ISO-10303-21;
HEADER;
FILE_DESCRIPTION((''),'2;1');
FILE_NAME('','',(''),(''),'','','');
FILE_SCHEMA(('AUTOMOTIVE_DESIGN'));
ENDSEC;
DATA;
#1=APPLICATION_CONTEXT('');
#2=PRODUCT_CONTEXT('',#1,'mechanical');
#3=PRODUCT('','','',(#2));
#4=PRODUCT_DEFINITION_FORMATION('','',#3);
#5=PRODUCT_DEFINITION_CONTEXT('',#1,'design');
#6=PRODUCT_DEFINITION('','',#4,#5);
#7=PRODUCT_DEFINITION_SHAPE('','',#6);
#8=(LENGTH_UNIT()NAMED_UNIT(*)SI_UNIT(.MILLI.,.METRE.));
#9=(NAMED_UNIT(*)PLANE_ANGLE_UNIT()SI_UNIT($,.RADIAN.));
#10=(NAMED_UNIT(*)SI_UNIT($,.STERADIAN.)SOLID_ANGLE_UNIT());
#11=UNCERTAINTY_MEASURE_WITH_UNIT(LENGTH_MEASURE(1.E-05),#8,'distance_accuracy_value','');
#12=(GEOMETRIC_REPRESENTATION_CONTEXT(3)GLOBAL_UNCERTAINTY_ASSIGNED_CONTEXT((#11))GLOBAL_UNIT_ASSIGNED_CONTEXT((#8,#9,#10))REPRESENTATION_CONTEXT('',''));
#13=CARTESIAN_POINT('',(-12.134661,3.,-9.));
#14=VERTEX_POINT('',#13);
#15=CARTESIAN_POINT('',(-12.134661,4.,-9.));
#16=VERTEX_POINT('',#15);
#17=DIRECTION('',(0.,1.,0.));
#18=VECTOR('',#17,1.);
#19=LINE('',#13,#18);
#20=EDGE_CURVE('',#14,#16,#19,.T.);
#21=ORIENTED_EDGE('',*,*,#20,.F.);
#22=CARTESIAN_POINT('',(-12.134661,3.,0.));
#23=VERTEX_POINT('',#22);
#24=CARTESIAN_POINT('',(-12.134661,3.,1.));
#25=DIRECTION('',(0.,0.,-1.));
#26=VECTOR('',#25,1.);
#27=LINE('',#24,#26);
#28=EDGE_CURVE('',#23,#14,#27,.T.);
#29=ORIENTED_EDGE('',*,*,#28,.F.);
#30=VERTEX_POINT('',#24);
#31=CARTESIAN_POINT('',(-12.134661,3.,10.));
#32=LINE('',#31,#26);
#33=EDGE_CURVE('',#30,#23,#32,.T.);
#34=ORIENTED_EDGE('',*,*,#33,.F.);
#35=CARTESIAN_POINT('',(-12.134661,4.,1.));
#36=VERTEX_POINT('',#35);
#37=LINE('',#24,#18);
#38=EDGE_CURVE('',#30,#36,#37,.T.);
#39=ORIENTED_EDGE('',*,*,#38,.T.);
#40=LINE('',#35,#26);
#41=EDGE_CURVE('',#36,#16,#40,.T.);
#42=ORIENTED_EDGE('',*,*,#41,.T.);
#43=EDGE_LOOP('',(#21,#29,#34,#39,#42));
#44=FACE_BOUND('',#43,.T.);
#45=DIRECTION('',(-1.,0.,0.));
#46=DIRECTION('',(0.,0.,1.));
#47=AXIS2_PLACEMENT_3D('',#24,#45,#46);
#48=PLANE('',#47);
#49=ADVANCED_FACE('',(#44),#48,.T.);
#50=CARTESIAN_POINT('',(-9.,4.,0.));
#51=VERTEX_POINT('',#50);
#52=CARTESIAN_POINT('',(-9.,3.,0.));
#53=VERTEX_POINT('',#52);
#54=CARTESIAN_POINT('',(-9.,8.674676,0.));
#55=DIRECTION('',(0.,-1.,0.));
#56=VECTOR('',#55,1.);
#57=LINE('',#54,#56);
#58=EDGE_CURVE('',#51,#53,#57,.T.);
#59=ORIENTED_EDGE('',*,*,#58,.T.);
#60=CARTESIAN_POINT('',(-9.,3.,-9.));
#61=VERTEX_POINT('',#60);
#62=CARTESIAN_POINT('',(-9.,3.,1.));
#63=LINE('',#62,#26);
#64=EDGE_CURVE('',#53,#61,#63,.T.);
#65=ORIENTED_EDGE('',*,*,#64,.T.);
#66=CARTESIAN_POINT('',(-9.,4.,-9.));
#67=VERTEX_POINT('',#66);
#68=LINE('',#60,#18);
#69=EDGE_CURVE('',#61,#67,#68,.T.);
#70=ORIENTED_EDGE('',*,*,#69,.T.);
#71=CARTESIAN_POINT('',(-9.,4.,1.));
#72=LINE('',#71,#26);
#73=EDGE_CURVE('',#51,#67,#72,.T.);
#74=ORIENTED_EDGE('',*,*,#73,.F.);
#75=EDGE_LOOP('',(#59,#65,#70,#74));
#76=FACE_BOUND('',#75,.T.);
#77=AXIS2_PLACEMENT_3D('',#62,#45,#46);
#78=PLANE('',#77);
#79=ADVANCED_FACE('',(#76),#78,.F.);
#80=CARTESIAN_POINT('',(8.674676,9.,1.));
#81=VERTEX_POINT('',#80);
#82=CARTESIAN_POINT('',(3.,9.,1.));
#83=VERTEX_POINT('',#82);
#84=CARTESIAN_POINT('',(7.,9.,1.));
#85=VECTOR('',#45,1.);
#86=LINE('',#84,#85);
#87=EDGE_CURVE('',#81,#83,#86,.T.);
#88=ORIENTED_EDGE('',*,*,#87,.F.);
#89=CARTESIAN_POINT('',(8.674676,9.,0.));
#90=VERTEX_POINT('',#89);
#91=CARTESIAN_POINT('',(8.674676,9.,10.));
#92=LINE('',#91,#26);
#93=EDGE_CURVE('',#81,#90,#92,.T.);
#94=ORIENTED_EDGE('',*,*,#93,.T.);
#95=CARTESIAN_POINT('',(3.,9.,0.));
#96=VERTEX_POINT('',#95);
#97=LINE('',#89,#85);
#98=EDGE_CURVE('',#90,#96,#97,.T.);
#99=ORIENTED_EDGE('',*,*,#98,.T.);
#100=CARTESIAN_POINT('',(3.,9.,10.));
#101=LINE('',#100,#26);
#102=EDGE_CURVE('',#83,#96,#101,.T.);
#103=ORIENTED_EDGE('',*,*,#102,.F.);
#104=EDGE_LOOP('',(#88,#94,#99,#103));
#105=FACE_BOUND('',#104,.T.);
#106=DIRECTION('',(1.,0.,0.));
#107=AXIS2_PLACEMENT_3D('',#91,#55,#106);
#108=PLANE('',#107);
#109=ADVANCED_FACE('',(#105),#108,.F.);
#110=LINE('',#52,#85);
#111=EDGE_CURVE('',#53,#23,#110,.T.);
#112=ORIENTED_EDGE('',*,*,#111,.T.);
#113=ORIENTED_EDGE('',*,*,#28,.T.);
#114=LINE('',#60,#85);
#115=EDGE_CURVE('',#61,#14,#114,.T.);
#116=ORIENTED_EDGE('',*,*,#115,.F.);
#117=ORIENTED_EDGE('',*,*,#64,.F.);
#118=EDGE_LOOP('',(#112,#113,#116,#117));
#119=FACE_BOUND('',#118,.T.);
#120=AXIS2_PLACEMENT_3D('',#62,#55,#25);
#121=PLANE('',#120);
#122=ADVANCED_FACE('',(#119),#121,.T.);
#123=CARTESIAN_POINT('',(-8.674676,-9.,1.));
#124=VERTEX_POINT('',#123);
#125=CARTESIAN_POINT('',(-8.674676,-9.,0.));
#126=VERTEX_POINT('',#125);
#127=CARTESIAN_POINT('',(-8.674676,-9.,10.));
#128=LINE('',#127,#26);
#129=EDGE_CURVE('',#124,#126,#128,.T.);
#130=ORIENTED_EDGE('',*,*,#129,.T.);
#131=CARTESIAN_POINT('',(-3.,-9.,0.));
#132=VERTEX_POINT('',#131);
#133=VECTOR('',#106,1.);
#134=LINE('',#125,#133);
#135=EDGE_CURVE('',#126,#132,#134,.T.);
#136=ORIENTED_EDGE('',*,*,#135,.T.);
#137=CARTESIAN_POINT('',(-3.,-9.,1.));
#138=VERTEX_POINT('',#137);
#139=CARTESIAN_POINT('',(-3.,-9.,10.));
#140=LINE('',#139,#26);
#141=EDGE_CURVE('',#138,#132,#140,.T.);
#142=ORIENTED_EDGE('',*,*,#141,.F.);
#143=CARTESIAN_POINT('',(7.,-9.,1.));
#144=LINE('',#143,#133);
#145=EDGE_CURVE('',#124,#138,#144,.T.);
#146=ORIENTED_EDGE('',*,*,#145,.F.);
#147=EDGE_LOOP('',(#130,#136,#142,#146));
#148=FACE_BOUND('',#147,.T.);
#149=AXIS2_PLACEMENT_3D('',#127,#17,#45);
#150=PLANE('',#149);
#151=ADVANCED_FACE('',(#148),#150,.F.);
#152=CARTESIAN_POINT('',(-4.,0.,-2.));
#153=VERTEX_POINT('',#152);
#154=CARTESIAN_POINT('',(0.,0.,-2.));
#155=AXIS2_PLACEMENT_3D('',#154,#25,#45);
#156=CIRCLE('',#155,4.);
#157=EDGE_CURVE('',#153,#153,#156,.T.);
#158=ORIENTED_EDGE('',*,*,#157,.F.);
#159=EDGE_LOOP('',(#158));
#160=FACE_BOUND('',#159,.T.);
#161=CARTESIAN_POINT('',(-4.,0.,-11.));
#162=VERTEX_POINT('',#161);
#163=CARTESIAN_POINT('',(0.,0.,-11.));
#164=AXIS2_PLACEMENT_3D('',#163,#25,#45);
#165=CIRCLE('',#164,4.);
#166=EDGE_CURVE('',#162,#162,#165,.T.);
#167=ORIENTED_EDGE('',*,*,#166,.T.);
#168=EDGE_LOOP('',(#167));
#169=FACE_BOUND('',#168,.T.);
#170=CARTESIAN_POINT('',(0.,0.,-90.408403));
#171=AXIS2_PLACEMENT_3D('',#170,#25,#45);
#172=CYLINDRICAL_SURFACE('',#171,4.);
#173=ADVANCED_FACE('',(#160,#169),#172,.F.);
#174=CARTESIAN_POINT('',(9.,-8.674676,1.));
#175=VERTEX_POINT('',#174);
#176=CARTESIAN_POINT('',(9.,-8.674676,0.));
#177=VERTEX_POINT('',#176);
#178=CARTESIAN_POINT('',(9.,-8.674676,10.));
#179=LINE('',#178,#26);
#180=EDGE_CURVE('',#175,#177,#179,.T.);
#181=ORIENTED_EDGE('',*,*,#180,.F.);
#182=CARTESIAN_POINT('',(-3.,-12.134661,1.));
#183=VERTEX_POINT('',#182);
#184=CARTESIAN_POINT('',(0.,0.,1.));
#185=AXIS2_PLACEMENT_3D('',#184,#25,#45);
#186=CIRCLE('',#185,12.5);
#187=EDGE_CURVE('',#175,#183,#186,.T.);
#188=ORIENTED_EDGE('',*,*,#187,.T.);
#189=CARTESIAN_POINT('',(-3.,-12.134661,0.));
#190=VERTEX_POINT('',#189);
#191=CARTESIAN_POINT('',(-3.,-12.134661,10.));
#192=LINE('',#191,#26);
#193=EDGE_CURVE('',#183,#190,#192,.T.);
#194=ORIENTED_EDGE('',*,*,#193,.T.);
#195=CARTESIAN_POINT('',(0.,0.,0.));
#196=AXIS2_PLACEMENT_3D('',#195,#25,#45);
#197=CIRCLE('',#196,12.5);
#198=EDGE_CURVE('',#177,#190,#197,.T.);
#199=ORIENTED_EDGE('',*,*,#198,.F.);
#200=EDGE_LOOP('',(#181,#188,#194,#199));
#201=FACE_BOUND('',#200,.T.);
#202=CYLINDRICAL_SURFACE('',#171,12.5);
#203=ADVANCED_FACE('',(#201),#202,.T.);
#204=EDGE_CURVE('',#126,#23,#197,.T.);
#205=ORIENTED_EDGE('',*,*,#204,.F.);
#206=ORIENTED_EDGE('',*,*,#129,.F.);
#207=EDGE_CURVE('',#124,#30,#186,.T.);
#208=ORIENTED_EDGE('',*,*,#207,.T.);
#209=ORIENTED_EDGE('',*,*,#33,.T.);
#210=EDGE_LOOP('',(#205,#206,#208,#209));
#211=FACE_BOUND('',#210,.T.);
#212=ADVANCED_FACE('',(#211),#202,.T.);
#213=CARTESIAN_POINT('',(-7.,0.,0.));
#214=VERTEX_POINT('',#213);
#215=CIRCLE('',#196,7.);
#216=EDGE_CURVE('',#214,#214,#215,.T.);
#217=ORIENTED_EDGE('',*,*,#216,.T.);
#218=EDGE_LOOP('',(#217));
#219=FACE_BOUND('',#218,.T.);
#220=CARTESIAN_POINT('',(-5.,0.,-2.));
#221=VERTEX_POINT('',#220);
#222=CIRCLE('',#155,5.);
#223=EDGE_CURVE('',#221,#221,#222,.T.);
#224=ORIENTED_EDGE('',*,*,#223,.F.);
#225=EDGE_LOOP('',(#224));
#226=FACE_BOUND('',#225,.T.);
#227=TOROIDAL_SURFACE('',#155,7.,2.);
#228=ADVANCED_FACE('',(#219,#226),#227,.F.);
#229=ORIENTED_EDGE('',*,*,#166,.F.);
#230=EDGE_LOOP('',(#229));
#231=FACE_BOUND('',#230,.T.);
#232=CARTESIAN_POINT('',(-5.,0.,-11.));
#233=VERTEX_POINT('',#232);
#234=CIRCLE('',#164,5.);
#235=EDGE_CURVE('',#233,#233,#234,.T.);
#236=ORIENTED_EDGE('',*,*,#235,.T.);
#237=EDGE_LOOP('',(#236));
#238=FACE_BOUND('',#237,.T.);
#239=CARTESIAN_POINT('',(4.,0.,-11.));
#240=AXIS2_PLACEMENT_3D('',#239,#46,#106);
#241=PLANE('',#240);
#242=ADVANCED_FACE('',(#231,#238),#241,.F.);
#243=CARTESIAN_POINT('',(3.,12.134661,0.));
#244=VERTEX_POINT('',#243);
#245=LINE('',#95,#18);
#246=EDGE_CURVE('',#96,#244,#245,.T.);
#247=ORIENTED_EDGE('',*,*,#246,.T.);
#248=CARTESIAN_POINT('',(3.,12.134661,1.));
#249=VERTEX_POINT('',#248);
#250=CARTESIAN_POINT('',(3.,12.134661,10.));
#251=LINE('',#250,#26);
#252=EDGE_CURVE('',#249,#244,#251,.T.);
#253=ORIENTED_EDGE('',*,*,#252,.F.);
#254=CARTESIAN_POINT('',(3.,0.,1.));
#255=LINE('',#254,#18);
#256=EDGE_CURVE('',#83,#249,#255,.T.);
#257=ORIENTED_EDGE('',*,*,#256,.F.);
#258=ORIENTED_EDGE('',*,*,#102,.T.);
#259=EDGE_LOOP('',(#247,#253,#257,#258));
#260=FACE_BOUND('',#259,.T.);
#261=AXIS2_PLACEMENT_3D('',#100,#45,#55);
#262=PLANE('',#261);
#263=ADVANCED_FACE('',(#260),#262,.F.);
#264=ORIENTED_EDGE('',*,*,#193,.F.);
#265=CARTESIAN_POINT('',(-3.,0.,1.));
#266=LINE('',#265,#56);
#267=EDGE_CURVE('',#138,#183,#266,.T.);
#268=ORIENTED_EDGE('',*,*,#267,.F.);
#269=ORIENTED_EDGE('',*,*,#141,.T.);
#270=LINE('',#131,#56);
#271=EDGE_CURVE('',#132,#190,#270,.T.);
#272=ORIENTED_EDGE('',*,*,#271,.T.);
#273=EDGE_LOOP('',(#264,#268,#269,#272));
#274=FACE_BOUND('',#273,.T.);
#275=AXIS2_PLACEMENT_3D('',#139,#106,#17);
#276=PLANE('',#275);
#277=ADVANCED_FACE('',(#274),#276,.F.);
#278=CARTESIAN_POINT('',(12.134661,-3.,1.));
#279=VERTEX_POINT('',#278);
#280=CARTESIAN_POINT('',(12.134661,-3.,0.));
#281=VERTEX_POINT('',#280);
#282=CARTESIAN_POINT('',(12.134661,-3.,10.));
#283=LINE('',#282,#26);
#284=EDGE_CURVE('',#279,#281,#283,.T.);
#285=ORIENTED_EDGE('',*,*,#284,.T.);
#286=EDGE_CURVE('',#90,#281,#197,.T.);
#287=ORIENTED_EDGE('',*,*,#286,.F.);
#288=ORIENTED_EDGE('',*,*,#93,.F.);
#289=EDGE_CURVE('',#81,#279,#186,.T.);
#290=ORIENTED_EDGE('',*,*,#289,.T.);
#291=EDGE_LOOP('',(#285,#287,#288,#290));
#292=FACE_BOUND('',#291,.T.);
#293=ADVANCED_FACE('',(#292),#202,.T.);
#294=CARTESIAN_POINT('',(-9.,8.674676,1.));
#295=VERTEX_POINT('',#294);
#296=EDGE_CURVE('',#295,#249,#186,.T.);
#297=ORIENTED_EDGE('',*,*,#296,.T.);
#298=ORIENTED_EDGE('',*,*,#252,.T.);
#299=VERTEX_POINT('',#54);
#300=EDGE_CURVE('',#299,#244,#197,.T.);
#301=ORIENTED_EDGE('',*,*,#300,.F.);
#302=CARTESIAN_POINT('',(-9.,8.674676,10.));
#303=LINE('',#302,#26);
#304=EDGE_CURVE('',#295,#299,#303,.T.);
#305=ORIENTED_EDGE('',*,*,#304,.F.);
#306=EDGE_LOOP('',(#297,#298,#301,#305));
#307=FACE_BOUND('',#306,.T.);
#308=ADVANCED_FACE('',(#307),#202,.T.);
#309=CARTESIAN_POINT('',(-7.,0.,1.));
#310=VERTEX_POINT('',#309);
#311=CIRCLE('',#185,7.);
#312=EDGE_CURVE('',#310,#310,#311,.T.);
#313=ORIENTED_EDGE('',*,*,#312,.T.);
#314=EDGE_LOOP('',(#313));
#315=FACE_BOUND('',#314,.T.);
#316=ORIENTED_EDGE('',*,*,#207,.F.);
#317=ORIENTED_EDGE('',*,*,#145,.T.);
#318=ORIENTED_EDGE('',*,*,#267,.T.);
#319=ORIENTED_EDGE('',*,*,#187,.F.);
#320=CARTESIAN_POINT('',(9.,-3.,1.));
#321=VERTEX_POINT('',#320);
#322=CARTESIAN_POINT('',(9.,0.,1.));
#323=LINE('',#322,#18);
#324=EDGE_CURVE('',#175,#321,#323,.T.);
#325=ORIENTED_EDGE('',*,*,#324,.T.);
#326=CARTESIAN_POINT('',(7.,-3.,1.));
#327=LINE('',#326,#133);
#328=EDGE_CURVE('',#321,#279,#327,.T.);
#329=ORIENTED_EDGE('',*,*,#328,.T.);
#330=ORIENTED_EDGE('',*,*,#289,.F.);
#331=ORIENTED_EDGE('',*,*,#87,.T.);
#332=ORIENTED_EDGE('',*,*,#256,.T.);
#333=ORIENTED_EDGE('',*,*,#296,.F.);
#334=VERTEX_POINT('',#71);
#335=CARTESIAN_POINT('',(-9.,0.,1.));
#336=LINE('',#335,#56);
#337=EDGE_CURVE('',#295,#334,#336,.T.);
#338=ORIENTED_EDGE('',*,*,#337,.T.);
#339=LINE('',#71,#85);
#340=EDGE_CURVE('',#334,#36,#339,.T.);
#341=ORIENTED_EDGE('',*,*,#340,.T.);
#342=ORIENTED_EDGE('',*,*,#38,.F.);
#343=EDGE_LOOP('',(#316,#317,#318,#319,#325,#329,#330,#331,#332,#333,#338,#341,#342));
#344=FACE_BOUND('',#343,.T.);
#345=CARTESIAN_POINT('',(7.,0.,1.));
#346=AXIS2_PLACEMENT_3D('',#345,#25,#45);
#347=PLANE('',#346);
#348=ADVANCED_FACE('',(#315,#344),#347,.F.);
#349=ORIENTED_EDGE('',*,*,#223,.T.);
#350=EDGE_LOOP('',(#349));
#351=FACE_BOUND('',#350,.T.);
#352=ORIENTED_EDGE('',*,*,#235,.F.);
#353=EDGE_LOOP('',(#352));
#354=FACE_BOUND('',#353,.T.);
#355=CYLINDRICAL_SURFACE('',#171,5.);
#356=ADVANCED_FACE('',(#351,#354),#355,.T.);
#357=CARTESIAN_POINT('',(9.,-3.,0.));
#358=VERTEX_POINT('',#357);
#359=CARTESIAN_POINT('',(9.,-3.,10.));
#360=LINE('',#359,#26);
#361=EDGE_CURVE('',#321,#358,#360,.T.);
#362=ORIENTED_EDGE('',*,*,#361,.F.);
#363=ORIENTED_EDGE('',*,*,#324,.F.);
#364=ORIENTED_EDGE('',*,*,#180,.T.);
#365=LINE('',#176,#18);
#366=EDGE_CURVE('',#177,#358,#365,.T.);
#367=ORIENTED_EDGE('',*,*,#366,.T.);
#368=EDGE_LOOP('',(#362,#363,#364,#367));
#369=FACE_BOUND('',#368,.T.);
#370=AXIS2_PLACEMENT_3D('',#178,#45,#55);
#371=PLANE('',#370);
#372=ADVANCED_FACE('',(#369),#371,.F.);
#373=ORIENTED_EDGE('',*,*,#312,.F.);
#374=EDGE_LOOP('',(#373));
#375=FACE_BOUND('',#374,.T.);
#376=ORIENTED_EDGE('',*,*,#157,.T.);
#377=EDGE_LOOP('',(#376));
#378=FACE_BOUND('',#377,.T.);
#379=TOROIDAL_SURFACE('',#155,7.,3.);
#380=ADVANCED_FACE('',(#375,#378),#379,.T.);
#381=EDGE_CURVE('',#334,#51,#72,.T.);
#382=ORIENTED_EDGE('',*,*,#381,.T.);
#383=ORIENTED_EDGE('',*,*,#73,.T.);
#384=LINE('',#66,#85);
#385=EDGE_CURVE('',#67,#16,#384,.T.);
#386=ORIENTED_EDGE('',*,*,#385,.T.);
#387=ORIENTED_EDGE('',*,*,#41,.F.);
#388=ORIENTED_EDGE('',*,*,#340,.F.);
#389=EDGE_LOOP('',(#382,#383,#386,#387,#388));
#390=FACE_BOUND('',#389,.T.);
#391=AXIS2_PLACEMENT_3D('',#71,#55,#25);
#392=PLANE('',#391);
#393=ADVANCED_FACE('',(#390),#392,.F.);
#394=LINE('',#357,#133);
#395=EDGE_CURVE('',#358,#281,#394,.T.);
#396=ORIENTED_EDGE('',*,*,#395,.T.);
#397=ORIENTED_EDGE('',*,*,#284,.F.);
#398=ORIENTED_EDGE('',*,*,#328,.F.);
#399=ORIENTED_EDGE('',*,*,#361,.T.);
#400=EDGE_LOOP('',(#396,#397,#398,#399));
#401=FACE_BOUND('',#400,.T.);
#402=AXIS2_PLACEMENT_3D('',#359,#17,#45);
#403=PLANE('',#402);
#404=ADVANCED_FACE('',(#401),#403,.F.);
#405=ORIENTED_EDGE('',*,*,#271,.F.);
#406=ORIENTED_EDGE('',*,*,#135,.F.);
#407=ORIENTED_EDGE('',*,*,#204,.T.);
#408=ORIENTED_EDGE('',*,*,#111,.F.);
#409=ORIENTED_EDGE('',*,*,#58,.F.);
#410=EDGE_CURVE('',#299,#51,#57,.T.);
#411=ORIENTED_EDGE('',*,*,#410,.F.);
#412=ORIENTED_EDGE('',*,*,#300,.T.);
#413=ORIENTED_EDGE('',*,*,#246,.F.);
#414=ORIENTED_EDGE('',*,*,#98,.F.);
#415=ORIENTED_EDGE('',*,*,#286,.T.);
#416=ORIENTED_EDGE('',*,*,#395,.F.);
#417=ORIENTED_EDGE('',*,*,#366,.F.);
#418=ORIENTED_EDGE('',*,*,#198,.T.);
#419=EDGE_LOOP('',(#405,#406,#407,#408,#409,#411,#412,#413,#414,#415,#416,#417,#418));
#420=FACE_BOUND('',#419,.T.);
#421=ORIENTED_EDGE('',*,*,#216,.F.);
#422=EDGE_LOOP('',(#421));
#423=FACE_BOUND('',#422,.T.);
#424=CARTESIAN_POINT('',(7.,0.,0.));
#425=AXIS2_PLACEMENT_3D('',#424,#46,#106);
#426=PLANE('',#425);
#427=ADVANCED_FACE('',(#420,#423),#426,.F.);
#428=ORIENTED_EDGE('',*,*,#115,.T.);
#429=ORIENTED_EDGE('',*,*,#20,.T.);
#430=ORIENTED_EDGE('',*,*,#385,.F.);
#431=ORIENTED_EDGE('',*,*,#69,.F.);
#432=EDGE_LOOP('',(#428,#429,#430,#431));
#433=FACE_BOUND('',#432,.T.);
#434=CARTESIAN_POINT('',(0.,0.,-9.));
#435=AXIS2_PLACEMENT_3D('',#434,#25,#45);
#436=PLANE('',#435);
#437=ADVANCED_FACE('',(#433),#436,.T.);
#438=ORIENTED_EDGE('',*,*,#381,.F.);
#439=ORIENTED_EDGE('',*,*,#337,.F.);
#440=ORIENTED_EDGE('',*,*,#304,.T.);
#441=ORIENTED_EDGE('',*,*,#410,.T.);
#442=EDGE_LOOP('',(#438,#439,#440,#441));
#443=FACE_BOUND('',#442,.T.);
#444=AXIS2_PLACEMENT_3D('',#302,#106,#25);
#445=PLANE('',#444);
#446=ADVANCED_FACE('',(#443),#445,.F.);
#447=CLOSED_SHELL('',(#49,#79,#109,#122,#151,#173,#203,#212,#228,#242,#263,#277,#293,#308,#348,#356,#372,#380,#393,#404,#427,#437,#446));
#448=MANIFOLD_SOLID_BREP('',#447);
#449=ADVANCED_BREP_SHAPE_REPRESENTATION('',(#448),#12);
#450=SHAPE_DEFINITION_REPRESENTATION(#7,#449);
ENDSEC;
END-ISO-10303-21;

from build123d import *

# Parameters (mm, degrees)
CUT_EXTRUDE1_DEPTH       = 10
BOSS_EXTRUDE1_DEPTH      = 9
BOSS_EXTRUDE1_DEPTH_BACK = 1
SKETCH4_W                = 3.1346611
SKETCH4_H                = 1


with BuildPart() as part:
    # Sketch2 → Revolve1 (revolve)
    with BuildSketch(Plane(origin=(0, 0, 0), x_dir=(1, 0, 0), z_dir=(0, 1, 0)), mode=Mode.PRIVATE) as revolve1_sk:
        with BuildLine():
            Line((4, 11), (4, 2))
            ThreePointArc((4, 2), (4.878679656, -0.121320344), (7, -1))
            Line((7, -1), (12.5, -1))
            Line((12.5, -1), (12.5, 0))
            Line((12.5, 0), (7, 0))
            ThreePointArc((7, 0), (5.585786438, 0.585786438), (5, 2))
            Line((5, 2), (5, 11))
            Line((5, 11), (4, 11))
        make_face()
    revolve(revolve1_sk.sketch.rotate(Axis((0, 0, -90.408402744), (0, 0, 1)), 180), axis=Axis((0, 0, -90.408402744), (0, 0, 1)))

    # Sketch3 → Cut-Extrude1 (cut)
    with BuildSketch(Plane(origin=(0, 0, 0), x_dir=(-1, 0, 0), z_dir=(0, 0, -1))):
        with BuildLine():
            Line((9, 8.674675786), (9, 3))
            Line((9, 3), (12.1346611, 3))
            ThreePointArc((12.1346611, 3), (10.941616026, 6.044091225), (9, 8.674675786))
        make_face()
        with BuildLine():
            Line((8.674675786, -9), (3, -9))
            Line((3, -9), (3, -12.1346611))
            ThreePointArc((3, -12.1346611), (6.044091225, -10.941616026), (8.674675786, -9))
        make_face()
        with BuildLine():
            Line((-9, -8.674675786), (-9, -3))
            Line((-9, -3), (-12.1346611, -3))
            ThreePointArc((-12.1346611, -3), (-10.941616026, -6.044091225), (-9, -8.674675786))
        make_face()
        with BuildLine():
            Line((-8.674675786, 9), (-3, 9))
            Line((-3, 9), (-3, 12.1346611))
            ThreePointArc((-3, 12.1346611), (-6.044091225, 10.941616026), (-8.674675786, 9))
        make_face()
    extrude(amount=-CUT_EXTRUDE1_DEPTH, mode=Mode.SUBTRACT)

    # Sketch4 → Boss-Extrude1 (add, two sides: drawn at the far end of the back side and taken through both)
    with BuildSketch(Plane(origin=(0, 0, 0), x_dir=(-1, 0, 0), z_dir=(0, 0, -1)).offset(-BOSS_EXTRUDE1_DEPTH_BACK)):
        with Locations((10.56733055, 3.5)):
            Rectangle(SKETCH4_W, SKETCH4_H)
    extrude(amount=BOSS_EXTRUDE1_DEPTH + BOSS_EXTRUDE1_DEPTH_BACK)


solid = part.part
